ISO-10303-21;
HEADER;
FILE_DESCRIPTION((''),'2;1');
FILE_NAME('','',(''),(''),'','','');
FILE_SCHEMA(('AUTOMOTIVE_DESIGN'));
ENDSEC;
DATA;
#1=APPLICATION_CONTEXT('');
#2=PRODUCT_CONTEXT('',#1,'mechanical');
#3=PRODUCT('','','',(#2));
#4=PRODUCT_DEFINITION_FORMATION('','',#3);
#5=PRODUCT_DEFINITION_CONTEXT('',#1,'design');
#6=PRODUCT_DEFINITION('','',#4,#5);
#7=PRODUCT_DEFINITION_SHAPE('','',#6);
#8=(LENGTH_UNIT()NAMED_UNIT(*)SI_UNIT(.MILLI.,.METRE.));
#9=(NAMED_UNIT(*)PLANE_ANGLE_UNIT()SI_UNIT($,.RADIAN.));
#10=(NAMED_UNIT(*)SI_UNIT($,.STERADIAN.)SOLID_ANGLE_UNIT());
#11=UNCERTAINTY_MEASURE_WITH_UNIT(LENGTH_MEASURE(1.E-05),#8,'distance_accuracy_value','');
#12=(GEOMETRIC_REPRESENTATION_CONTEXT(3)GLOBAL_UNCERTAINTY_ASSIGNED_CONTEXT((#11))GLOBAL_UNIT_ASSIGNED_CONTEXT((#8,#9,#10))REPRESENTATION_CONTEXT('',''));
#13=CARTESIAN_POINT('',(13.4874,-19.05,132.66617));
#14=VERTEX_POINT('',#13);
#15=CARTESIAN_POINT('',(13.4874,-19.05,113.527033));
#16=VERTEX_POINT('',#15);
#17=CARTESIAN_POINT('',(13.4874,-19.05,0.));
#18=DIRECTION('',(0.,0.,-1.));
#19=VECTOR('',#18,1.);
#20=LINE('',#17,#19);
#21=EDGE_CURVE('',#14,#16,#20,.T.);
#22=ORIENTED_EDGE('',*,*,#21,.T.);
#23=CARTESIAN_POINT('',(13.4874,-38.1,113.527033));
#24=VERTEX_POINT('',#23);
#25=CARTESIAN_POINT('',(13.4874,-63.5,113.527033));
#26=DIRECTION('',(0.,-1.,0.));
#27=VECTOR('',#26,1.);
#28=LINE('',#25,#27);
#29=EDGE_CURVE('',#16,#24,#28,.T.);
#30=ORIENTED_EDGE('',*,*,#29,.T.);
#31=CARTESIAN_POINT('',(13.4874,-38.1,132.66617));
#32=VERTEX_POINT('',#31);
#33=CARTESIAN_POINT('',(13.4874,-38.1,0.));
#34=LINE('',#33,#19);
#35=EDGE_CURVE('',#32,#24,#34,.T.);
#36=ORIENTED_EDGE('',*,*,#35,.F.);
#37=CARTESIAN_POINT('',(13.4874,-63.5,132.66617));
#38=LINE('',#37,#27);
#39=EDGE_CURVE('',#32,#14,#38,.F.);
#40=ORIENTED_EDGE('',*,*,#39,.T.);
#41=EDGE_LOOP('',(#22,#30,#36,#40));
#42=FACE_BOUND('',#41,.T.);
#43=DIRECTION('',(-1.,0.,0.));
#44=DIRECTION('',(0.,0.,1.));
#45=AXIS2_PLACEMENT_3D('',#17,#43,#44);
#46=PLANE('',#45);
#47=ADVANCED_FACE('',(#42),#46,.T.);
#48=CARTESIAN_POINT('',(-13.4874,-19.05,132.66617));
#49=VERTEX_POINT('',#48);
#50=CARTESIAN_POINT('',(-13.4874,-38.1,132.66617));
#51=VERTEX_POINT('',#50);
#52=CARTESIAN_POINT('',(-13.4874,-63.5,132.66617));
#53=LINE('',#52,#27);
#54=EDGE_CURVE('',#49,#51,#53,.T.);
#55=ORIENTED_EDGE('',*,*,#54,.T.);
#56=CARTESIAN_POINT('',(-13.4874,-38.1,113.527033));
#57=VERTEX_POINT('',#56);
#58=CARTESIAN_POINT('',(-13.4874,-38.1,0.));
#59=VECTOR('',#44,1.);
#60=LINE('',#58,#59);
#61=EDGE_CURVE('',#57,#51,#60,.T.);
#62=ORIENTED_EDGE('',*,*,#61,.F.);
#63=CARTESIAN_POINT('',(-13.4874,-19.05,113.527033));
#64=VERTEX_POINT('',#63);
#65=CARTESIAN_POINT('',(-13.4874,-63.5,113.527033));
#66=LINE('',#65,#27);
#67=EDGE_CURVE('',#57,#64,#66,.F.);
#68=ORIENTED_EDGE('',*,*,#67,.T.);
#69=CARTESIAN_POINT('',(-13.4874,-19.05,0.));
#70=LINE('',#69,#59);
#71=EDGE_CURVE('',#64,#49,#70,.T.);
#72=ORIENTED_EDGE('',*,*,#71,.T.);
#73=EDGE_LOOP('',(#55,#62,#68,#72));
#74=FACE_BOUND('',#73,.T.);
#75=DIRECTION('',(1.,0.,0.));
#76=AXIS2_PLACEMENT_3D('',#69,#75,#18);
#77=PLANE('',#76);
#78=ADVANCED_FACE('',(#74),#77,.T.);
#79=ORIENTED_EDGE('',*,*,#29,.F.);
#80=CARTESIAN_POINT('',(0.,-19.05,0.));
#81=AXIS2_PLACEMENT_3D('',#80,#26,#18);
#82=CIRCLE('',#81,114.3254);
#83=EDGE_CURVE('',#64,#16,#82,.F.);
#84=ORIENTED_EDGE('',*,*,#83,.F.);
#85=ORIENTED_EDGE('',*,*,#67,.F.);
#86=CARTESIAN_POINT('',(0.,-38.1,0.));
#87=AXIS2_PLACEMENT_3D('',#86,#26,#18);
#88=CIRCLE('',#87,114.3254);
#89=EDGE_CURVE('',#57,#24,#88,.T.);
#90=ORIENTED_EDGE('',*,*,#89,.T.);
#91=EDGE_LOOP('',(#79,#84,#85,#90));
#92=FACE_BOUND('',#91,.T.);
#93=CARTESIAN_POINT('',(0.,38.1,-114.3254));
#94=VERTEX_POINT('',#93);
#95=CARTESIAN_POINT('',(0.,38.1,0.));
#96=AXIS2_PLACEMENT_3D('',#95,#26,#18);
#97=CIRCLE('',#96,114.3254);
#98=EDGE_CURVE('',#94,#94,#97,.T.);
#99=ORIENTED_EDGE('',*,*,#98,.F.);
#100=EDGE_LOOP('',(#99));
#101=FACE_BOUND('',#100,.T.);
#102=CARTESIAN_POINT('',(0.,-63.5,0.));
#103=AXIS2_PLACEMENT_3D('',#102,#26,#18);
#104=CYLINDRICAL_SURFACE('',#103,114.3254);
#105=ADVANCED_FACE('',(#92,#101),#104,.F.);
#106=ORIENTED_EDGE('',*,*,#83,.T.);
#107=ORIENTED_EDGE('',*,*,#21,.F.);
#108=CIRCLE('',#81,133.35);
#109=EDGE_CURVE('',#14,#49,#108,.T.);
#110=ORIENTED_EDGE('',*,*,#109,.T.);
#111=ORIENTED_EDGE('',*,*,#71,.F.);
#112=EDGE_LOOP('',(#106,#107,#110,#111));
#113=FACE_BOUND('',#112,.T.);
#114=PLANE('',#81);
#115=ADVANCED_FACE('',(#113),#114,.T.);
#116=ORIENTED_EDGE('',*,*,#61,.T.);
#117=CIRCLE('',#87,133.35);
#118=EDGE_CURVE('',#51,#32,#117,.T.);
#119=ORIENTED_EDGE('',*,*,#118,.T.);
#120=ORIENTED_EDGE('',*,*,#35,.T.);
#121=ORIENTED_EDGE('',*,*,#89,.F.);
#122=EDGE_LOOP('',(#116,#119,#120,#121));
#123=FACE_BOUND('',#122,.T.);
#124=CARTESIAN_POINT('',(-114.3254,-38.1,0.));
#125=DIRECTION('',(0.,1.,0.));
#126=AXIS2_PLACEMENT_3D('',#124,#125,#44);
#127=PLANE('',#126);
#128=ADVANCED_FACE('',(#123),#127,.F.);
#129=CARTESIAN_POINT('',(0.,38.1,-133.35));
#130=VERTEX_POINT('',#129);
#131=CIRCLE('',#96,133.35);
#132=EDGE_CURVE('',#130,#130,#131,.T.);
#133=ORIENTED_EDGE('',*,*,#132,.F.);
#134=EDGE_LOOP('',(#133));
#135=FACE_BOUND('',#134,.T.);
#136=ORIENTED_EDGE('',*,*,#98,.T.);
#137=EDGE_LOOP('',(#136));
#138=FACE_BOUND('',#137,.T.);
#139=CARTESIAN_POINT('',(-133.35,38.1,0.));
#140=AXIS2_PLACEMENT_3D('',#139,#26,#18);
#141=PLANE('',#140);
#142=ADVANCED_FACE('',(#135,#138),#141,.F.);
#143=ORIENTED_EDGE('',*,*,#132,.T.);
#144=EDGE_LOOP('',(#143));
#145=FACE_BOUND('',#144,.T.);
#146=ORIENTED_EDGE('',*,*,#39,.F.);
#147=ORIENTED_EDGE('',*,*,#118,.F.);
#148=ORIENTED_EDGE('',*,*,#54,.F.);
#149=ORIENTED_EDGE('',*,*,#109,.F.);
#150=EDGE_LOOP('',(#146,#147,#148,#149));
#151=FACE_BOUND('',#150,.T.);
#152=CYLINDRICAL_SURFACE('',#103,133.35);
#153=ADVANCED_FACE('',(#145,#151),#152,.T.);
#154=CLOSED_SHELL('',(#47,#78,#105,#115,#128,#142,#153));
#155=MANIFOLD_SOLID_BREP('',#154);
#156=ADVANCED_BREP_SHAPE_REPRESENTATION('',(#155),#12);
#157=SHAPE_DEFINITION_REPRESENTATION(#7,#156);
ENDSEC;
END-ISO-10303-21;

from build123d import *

# Parameters (mm, degrees)
SKETCH1_W          = 76.2
SKETCH1_H          = 19.0246
CUT_EXTRUDE2_START = -38.1
SKETCH2_W          = 26.9748
SKETCH2_H          = 266.7
CUT_EXTRUDE2_DEPTH = 19.05


with BuildPart() as part:
    # Sketch1 → Revolve1 (revolve)
    with BuildSketch(Plane(origin=(0, 0, 0), x_dir=(0, 1, 0), z_dir=(0, 0, 1)), mode=Mode.PRIVATE) as revolve1_sk:
        with Locations((0, 123.8377)):
            Rectangle(SKETCH1_W, SKETCH1_H)
    revolve(revolve1_sk.sketch.rotate(Axis((0, -63.5, 0), (0, 1, 0)), 270), axis=Axis((0, -63.5, 0), (0, 1, 0)))

    # Sketch2 → Cut-Extrude2 (cut)
    with BuildSketch(Plane(origin=(0, 0, 0), x_dir=(-1, 0, 0), z_dir=(0, 1, 0)).offset(CUT_EXTRUDE2_START)):
        with Locations((0, 133.35)):
            Rectangle(SKETCH2_W, SKETCH2_H)
    extrude(amount=CUT_EXTRUDE2_DEPTH, mode=Mode.SUBTRACT)


solid = part.part
